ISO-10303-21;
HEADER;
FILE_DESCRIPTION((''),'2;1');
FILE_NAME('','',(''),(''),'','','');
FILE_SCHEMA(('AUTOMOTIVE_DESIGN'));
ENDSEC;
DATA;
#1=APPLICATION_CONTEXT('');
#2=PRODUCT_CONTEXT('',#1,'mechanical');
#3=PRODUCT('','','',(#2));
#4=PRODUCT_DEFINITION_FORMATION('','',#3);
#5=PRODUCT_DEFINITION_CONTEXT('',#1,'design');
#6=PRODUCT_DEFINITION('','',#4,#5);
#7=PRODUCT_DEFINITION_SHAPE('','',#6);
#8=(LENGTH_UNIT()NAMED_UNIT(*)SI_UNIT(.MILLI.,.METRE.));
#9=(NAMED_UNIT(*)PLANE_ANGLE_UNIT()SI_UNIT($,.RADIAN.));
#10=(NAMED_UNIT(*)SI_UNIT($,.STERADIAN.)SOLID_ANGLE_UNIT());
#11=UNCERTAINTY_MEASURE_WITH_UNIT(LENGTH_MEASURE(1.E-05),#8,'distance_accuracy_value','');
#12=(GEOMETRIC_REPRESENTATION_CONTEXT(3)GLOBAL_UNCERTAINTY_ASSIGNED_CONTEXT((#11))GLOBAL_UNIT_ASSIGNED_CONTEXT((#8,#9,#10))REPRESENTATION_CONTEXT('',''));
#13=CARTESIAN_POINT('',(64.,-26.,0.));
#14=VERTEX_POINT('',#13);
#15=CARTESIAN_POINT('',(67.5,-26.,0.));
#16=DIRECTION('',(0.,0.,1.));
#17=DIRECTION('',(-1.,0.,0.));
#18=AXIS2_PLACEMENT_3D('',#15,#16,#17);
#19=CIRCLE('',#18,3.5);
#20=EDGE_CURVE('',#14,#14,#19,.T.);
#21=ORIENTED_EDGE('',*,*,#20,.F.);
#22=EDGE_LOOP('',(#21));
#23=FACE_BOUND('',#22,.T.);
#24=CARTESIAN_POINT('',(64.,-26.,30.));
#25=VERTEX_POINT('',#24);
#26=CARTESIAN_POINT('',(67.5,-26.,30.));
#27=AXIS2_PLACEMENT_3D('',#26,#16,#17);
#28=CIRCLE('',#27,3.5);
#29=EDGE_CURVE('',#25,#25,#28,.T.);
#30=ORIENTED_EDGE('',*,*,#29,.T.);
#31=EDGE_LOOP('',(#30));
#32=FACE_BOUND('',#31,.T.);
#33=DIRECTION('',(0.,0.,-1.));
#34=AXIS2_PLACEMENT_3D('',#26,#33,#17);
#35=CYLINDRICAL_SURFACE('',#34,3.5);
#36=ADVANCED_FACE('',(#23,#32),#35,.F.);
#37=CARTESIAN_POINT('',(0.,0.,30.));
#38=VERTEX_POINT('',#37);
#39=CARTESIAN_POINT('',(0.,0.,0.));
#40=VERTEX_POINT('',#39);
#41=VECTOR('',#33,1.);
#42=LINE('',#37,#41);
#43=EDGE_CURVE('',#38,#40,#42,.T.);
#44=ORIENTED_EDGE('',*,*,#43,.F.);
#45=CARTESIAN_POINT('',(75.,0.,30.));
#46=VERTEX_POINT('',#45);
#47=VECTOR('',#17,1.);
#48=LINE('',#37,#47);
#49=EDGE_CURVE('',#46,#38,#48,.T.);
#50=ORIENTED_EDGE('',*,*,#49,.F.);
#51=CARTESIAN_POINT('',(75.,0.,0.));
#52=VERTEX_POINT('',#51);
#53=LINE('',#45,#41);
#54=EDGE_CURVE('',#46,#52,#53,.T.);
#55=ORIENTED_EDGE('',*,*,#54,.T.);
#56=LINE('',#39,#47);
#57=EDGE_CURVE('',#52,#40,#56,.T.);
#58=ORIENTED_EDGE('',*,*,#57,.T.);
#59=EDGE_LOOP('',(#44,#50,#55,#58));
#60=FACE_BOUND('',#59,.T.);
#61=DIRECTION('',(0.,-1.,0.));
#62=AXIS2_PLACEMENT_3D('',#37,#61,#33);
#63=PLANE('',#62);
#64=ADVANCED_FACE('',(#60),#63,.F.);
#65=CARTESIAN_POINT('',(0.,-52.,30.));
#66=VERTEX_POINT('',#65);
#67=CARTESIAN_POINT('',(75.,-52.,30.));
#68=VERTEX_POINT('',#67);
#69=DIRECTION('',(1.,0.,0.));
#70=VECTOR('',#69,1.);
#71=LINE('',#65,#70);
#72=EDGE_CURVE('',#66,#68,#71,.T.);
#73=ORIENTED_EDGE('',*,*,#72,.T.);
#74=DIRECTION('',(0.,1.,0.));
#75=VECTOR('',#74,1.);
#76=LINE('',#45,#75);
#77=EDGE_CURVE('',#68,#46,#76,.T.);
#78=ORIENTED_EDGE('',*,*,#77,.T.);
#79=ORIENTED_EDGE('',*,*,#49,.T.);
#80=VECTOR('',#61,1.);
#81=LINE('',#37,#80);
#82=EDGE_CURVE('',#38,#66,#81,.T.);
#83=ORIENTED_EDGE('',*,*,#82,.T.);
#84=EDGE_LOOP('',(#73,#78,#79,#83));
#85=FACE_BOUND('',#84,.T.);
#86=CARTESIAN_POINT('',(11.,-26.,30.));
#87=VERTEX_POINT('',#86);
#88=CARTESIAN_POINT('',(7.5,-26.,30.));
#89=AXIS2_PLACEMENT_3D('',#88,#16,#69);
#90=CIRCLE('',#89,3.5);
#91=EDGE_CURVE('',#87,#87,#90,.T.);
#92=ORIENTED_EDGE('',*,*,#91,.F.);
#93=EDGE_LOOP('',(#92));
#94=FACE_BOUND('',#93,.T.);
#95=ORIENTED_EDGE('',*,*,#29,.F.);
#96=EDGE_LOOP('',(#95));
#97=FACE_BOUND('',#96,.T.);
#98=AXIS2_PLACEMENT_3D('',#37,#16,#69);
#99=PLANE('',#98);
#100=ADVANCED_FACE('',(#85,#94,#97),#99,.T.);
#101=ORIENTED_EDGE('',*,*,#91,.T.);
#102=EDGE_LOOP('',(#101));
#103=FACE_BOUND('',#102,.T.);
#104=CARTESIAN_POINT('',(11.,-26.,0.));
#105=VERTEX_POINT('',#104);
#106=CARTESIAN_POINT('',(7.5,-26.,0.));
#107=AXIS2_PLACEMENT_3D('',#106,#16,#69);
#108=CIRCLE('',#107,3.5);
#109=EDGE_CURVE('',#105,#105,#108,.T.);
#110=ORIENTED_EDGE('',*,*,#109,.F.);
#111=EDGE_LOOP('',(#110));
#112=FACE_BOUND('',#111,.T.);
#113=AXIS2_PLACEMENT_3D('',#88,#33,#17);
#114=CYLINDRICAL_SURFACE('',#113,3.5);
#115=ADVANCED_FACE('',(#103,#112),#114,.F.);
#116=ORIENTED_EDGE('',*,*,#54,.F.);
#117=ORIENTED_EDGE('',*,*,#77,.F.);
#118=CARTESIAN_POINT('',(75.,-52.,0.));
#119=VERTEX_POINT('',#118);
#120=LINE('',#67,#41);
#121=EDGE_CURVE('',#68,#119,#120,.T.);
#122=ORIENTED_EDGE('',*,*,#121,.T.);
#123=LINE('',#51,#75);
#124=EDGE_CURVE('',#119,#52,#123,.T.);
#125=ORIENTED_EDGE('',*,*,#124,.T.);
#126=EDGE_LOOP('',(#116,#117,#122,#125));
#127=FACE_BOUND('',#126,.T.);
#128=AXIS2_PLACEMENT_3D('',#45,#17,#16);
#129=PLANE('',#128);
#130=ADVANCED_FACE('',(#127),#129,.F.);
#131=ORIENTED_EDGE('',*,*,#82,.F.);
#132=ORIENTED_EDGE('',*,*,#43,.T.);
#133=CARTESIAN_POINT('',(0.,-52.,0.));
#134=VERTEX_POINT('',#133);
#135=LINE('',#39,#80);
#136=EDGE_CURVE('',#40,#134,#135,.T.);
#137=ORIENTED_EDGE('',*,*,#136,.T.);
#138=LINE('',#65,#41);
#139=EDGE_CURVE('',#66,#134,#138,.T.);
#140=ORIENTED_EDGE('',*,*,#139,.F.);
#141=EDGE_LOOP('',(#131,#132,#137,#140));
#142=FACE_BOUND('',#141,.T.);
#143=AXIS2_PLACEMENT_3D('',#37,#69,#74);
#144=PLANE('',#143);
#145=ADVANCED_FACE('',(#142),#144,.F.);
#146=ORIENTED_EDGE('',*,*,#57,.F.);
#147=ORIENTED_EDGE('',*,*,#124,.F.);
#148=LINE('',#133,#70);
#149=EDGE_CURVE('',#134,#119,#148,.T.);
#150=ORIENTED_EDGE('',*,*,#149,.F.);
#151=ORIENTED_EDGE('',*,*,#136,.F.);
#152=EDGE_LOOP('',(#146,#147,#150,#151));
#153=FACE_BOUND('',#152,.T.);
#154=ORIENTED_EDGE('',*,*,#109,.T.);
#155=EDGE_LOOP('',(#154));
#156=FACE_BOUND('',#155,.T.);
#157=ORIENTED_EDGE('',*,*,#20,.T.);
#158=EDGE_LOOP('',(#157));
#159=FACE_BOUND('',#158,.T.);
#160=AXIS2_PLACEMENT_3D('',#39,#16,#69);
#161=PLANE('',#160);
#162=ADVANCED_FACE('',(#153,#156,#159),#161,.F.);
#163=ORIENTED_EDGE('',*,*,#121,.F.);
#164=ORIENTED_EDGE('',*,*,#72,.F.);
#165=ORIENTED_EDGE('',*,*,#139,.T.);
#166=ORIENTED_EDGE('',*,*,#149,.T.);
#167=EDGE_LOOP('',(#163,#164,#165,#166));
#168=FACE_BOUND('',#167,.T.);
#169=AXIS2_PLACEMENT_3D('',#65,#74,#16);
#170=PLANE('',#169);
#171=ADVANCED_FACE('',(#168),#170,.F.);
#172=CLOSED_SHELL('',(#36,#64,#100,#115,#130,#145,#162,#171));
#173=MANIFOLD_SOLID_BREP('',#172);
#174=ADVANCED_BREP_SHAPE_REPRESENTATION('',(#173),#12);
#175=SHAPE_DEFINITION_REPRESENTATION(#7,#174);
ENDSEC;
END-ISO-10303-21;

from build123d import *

# Parameters (mm, degrees)
SKETCH1_W           = 75
SKETCH1_H           = 52
SKETCH1_R           = 3.5
BOSS_EXTRUDE1_DEPTH = 30


with BuildPart() as part:
    # Sketch1 → Boss-Extrude1 (new body)
    with BuildSketch(Plane.XY):
        with Locations((37.5, -26)):
            Rectangle(SKETCH1_W, SKETCH1_H)
        with Locations((7.5, -26)):
            Circle(SKETCH1_R, mode=Mode.SUBTRACT)
        with Locations(Location((67.5, -26, 0), (0, 0, 180))):
            Circle(SKETCH1_R, mode=Mode.SUBTRACT)
    extrude(amount=BOSS_EXTRUDE1_DEPTH)


solid = part.part
